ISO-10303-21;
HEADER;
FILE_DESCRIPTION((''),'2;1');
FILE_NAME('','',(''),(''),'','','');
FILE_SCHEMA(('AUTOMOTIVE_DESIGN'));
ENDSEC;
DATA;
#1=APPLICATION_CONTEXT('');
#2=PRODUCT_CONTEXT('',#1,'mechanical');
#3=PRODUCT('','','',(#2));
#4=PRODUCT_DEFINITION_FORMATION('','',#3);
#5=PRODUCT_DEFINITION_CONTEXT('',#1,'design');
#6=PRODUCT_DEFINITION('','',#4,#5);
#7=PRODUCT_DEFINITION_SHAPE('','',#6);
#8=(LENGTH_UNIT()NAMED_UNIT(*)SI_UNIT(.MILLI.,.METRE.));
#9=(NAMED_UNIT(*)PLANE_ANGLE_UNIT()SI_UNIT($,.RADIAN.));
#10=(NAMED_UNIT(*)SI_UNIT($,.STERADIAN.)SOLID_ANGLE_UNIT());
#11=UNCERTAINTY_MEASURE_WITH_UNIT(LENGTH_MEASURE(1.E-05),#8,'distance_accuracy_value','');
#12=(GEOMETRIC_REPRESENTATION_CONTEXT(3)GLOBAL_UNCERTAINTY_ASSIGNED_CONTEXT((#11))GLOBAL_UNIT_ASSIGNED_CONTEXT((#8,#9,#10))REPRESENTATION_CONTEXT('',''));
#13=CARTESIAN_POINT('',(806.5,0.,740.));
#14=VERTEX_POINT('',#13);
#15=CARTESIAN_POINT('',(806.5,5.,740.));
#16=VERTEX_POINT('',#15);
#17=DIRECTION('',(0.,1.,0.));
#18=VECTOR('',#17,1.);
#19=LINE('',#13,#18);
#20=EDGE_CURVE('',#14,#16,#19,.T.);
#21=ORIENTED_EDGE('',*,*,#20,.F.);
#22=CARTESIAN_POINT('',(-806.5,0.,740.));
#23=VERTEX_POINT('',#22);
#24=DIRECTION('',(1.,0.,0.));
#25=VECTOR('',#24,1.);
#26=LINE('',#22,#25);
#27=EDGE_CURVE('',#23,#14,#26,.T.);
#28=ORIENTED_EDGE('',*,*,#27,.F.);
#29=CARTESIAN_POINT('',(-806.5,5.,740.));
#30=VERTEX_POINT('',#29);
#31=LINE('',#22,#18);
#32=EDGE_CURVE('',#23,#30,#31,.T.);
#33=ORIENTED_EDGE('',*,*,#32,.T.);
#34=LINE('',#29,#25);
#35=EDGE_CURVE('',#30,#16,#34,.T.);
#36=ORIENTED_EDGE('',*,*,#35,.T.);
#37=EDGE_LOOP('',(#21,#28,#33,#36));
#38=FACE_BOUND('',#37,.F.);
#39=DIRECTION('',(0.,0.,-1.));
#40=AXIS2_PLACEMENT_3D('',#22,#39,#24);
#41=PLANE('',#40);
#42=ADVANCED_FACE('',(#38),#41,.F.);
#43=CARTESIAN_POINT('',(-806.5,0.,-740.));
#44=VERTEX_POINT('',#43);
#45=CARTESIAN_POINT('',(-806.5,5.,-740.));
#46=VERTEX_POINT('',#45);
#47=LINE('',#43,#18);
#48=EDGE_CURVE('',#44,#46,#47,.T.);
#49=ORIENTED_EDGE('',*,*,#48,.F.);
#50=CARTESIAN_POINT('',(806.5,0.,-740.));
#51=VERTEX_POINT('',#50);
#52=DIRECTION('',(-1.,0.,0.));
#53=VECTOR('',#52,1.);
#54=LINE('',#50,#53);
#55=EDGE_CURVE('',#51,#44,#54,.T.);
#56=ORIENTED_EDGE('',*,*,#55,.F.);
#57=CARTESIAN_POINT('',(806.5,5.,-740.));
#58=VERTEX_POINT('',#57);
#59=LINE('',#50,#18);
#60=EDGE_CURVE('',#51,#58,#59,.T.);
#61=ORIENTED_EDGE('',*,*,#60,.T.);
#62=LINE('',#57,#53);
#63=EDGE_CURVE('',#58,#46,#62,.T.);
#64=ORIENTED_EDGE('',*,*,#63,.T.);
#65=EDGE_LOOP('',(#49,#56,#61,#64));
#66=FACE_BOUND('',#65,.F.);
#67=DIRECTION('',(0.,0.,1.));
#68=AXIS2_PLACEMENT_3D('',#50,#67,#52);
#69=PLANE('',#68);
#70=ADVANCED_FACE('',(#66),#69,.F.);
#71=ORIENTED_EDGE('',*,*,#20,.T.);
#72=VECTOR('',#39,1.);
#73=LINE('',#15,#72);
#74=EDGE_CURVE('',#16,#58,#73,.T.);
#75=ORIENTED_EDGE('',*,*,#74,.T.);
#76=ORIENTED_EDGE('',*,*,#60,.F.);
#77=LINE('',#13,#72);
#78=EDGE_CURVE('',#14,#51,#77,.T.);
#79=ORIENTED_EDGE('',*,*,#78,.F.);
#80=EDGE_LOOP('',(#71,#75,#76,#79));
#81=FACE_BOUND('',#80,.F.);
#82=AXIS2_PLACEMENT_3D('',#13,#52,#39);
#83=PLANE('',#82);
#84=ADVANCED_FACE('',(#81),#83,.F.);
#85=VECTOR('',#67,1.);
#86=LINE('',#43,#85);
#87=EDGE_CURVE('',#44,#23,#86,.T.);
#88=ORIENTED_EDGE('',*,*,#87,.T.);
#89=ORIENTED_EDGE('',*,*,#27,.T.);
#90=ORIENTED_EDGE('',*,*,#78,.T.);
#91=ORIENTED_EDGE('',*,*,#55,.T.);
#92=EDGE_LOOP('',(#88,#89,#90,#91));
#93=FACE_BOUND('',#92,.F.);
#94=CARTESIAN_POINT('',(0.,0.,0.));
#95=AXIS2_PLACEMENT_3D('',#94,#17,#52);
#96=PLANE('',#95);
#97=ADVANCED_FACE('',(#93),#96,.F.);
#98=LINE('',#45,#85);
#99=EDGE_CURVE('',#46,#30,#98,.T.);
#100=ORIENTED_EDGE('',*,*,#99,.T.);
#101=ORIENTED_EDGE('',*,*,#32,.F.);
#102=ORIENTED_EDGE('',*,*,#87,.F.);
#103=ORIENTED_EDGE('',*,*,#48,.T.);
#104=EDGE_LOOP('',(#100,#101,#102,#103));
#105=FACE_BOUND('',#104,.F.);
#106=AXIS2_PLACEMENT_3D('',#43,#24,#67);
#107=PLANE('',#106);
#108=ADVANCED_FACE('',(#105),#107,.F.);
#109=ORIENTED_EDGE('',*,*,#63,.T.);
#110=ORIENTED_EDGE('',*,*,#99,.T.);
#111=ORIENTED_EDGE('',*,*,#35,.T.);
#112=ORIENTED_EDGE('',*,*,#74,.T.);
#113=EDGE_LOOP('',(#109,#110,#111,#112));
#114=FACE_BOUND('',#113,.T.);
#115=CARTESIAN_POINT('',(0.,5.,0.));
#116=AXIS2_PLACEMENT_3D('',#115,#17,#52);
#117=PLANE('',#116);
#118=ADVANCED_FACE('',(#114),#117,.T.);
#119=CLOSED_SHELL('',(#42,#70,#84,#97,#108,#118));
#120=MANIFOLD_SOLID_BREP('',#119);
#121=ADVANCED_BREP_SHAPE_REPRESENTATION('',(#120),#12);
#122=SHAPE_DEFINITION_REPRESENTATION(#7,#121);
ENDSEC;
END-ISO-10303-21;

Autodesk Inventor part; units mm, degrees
ref_plane "YZ Plane" through (0, 0, 0) normal (1, 0, 0) x (0, 1, 0)
ref_plane "XZ Plane" through (0, 0, 0) normal (0, 1, 0) x (-1, 0, 0)
ref_plane "XY Plane" through (0, 0, 0) normal (0, 0, 1) x (1, 0, 0)
sketch "Эскиз1" plane through (0, 0, 0) normal (0, 1, 0) x (-1, 0, 0)
  line L0 (806.5, 740) -> (-806.5, 740)
  line L1 (-806.5, 740) -> (-806.5, -740)
  line L2 (-806.5, -740) -> (806.5, -740)
  line L3 (806.5, -740) -> (806.5, 740)
  line L4 (806.5, 740) -> (-806.5, -740) construction
  line L5 (-806.5, 740) -> (806.5, -740) construction
  point P0 (0, 0)
  dimension "d0" = 1613
  dimension "d1" = 1480
extrude "Пластина1" add sketch "Эскиз1" along normal blind 5
equation "\"d2\" = Толщина"
equation "\"Радиус_гибки\" = Толщина"
equation "\"Ширина_просечки\" = Толщина"
equation "\"Глубина_просечки\" = 0.5 * Толщина"
equation "\"Радиус_перехода\" = Радиус_гибки"
equation "\"Радиус_Якоби\" = Радиус_гибки"
equation "\"Размер_зазора\" = Толщина"
equation "\"Толщина\" = 5"
properties part number "GBK bottom 0124" material "Steel"
